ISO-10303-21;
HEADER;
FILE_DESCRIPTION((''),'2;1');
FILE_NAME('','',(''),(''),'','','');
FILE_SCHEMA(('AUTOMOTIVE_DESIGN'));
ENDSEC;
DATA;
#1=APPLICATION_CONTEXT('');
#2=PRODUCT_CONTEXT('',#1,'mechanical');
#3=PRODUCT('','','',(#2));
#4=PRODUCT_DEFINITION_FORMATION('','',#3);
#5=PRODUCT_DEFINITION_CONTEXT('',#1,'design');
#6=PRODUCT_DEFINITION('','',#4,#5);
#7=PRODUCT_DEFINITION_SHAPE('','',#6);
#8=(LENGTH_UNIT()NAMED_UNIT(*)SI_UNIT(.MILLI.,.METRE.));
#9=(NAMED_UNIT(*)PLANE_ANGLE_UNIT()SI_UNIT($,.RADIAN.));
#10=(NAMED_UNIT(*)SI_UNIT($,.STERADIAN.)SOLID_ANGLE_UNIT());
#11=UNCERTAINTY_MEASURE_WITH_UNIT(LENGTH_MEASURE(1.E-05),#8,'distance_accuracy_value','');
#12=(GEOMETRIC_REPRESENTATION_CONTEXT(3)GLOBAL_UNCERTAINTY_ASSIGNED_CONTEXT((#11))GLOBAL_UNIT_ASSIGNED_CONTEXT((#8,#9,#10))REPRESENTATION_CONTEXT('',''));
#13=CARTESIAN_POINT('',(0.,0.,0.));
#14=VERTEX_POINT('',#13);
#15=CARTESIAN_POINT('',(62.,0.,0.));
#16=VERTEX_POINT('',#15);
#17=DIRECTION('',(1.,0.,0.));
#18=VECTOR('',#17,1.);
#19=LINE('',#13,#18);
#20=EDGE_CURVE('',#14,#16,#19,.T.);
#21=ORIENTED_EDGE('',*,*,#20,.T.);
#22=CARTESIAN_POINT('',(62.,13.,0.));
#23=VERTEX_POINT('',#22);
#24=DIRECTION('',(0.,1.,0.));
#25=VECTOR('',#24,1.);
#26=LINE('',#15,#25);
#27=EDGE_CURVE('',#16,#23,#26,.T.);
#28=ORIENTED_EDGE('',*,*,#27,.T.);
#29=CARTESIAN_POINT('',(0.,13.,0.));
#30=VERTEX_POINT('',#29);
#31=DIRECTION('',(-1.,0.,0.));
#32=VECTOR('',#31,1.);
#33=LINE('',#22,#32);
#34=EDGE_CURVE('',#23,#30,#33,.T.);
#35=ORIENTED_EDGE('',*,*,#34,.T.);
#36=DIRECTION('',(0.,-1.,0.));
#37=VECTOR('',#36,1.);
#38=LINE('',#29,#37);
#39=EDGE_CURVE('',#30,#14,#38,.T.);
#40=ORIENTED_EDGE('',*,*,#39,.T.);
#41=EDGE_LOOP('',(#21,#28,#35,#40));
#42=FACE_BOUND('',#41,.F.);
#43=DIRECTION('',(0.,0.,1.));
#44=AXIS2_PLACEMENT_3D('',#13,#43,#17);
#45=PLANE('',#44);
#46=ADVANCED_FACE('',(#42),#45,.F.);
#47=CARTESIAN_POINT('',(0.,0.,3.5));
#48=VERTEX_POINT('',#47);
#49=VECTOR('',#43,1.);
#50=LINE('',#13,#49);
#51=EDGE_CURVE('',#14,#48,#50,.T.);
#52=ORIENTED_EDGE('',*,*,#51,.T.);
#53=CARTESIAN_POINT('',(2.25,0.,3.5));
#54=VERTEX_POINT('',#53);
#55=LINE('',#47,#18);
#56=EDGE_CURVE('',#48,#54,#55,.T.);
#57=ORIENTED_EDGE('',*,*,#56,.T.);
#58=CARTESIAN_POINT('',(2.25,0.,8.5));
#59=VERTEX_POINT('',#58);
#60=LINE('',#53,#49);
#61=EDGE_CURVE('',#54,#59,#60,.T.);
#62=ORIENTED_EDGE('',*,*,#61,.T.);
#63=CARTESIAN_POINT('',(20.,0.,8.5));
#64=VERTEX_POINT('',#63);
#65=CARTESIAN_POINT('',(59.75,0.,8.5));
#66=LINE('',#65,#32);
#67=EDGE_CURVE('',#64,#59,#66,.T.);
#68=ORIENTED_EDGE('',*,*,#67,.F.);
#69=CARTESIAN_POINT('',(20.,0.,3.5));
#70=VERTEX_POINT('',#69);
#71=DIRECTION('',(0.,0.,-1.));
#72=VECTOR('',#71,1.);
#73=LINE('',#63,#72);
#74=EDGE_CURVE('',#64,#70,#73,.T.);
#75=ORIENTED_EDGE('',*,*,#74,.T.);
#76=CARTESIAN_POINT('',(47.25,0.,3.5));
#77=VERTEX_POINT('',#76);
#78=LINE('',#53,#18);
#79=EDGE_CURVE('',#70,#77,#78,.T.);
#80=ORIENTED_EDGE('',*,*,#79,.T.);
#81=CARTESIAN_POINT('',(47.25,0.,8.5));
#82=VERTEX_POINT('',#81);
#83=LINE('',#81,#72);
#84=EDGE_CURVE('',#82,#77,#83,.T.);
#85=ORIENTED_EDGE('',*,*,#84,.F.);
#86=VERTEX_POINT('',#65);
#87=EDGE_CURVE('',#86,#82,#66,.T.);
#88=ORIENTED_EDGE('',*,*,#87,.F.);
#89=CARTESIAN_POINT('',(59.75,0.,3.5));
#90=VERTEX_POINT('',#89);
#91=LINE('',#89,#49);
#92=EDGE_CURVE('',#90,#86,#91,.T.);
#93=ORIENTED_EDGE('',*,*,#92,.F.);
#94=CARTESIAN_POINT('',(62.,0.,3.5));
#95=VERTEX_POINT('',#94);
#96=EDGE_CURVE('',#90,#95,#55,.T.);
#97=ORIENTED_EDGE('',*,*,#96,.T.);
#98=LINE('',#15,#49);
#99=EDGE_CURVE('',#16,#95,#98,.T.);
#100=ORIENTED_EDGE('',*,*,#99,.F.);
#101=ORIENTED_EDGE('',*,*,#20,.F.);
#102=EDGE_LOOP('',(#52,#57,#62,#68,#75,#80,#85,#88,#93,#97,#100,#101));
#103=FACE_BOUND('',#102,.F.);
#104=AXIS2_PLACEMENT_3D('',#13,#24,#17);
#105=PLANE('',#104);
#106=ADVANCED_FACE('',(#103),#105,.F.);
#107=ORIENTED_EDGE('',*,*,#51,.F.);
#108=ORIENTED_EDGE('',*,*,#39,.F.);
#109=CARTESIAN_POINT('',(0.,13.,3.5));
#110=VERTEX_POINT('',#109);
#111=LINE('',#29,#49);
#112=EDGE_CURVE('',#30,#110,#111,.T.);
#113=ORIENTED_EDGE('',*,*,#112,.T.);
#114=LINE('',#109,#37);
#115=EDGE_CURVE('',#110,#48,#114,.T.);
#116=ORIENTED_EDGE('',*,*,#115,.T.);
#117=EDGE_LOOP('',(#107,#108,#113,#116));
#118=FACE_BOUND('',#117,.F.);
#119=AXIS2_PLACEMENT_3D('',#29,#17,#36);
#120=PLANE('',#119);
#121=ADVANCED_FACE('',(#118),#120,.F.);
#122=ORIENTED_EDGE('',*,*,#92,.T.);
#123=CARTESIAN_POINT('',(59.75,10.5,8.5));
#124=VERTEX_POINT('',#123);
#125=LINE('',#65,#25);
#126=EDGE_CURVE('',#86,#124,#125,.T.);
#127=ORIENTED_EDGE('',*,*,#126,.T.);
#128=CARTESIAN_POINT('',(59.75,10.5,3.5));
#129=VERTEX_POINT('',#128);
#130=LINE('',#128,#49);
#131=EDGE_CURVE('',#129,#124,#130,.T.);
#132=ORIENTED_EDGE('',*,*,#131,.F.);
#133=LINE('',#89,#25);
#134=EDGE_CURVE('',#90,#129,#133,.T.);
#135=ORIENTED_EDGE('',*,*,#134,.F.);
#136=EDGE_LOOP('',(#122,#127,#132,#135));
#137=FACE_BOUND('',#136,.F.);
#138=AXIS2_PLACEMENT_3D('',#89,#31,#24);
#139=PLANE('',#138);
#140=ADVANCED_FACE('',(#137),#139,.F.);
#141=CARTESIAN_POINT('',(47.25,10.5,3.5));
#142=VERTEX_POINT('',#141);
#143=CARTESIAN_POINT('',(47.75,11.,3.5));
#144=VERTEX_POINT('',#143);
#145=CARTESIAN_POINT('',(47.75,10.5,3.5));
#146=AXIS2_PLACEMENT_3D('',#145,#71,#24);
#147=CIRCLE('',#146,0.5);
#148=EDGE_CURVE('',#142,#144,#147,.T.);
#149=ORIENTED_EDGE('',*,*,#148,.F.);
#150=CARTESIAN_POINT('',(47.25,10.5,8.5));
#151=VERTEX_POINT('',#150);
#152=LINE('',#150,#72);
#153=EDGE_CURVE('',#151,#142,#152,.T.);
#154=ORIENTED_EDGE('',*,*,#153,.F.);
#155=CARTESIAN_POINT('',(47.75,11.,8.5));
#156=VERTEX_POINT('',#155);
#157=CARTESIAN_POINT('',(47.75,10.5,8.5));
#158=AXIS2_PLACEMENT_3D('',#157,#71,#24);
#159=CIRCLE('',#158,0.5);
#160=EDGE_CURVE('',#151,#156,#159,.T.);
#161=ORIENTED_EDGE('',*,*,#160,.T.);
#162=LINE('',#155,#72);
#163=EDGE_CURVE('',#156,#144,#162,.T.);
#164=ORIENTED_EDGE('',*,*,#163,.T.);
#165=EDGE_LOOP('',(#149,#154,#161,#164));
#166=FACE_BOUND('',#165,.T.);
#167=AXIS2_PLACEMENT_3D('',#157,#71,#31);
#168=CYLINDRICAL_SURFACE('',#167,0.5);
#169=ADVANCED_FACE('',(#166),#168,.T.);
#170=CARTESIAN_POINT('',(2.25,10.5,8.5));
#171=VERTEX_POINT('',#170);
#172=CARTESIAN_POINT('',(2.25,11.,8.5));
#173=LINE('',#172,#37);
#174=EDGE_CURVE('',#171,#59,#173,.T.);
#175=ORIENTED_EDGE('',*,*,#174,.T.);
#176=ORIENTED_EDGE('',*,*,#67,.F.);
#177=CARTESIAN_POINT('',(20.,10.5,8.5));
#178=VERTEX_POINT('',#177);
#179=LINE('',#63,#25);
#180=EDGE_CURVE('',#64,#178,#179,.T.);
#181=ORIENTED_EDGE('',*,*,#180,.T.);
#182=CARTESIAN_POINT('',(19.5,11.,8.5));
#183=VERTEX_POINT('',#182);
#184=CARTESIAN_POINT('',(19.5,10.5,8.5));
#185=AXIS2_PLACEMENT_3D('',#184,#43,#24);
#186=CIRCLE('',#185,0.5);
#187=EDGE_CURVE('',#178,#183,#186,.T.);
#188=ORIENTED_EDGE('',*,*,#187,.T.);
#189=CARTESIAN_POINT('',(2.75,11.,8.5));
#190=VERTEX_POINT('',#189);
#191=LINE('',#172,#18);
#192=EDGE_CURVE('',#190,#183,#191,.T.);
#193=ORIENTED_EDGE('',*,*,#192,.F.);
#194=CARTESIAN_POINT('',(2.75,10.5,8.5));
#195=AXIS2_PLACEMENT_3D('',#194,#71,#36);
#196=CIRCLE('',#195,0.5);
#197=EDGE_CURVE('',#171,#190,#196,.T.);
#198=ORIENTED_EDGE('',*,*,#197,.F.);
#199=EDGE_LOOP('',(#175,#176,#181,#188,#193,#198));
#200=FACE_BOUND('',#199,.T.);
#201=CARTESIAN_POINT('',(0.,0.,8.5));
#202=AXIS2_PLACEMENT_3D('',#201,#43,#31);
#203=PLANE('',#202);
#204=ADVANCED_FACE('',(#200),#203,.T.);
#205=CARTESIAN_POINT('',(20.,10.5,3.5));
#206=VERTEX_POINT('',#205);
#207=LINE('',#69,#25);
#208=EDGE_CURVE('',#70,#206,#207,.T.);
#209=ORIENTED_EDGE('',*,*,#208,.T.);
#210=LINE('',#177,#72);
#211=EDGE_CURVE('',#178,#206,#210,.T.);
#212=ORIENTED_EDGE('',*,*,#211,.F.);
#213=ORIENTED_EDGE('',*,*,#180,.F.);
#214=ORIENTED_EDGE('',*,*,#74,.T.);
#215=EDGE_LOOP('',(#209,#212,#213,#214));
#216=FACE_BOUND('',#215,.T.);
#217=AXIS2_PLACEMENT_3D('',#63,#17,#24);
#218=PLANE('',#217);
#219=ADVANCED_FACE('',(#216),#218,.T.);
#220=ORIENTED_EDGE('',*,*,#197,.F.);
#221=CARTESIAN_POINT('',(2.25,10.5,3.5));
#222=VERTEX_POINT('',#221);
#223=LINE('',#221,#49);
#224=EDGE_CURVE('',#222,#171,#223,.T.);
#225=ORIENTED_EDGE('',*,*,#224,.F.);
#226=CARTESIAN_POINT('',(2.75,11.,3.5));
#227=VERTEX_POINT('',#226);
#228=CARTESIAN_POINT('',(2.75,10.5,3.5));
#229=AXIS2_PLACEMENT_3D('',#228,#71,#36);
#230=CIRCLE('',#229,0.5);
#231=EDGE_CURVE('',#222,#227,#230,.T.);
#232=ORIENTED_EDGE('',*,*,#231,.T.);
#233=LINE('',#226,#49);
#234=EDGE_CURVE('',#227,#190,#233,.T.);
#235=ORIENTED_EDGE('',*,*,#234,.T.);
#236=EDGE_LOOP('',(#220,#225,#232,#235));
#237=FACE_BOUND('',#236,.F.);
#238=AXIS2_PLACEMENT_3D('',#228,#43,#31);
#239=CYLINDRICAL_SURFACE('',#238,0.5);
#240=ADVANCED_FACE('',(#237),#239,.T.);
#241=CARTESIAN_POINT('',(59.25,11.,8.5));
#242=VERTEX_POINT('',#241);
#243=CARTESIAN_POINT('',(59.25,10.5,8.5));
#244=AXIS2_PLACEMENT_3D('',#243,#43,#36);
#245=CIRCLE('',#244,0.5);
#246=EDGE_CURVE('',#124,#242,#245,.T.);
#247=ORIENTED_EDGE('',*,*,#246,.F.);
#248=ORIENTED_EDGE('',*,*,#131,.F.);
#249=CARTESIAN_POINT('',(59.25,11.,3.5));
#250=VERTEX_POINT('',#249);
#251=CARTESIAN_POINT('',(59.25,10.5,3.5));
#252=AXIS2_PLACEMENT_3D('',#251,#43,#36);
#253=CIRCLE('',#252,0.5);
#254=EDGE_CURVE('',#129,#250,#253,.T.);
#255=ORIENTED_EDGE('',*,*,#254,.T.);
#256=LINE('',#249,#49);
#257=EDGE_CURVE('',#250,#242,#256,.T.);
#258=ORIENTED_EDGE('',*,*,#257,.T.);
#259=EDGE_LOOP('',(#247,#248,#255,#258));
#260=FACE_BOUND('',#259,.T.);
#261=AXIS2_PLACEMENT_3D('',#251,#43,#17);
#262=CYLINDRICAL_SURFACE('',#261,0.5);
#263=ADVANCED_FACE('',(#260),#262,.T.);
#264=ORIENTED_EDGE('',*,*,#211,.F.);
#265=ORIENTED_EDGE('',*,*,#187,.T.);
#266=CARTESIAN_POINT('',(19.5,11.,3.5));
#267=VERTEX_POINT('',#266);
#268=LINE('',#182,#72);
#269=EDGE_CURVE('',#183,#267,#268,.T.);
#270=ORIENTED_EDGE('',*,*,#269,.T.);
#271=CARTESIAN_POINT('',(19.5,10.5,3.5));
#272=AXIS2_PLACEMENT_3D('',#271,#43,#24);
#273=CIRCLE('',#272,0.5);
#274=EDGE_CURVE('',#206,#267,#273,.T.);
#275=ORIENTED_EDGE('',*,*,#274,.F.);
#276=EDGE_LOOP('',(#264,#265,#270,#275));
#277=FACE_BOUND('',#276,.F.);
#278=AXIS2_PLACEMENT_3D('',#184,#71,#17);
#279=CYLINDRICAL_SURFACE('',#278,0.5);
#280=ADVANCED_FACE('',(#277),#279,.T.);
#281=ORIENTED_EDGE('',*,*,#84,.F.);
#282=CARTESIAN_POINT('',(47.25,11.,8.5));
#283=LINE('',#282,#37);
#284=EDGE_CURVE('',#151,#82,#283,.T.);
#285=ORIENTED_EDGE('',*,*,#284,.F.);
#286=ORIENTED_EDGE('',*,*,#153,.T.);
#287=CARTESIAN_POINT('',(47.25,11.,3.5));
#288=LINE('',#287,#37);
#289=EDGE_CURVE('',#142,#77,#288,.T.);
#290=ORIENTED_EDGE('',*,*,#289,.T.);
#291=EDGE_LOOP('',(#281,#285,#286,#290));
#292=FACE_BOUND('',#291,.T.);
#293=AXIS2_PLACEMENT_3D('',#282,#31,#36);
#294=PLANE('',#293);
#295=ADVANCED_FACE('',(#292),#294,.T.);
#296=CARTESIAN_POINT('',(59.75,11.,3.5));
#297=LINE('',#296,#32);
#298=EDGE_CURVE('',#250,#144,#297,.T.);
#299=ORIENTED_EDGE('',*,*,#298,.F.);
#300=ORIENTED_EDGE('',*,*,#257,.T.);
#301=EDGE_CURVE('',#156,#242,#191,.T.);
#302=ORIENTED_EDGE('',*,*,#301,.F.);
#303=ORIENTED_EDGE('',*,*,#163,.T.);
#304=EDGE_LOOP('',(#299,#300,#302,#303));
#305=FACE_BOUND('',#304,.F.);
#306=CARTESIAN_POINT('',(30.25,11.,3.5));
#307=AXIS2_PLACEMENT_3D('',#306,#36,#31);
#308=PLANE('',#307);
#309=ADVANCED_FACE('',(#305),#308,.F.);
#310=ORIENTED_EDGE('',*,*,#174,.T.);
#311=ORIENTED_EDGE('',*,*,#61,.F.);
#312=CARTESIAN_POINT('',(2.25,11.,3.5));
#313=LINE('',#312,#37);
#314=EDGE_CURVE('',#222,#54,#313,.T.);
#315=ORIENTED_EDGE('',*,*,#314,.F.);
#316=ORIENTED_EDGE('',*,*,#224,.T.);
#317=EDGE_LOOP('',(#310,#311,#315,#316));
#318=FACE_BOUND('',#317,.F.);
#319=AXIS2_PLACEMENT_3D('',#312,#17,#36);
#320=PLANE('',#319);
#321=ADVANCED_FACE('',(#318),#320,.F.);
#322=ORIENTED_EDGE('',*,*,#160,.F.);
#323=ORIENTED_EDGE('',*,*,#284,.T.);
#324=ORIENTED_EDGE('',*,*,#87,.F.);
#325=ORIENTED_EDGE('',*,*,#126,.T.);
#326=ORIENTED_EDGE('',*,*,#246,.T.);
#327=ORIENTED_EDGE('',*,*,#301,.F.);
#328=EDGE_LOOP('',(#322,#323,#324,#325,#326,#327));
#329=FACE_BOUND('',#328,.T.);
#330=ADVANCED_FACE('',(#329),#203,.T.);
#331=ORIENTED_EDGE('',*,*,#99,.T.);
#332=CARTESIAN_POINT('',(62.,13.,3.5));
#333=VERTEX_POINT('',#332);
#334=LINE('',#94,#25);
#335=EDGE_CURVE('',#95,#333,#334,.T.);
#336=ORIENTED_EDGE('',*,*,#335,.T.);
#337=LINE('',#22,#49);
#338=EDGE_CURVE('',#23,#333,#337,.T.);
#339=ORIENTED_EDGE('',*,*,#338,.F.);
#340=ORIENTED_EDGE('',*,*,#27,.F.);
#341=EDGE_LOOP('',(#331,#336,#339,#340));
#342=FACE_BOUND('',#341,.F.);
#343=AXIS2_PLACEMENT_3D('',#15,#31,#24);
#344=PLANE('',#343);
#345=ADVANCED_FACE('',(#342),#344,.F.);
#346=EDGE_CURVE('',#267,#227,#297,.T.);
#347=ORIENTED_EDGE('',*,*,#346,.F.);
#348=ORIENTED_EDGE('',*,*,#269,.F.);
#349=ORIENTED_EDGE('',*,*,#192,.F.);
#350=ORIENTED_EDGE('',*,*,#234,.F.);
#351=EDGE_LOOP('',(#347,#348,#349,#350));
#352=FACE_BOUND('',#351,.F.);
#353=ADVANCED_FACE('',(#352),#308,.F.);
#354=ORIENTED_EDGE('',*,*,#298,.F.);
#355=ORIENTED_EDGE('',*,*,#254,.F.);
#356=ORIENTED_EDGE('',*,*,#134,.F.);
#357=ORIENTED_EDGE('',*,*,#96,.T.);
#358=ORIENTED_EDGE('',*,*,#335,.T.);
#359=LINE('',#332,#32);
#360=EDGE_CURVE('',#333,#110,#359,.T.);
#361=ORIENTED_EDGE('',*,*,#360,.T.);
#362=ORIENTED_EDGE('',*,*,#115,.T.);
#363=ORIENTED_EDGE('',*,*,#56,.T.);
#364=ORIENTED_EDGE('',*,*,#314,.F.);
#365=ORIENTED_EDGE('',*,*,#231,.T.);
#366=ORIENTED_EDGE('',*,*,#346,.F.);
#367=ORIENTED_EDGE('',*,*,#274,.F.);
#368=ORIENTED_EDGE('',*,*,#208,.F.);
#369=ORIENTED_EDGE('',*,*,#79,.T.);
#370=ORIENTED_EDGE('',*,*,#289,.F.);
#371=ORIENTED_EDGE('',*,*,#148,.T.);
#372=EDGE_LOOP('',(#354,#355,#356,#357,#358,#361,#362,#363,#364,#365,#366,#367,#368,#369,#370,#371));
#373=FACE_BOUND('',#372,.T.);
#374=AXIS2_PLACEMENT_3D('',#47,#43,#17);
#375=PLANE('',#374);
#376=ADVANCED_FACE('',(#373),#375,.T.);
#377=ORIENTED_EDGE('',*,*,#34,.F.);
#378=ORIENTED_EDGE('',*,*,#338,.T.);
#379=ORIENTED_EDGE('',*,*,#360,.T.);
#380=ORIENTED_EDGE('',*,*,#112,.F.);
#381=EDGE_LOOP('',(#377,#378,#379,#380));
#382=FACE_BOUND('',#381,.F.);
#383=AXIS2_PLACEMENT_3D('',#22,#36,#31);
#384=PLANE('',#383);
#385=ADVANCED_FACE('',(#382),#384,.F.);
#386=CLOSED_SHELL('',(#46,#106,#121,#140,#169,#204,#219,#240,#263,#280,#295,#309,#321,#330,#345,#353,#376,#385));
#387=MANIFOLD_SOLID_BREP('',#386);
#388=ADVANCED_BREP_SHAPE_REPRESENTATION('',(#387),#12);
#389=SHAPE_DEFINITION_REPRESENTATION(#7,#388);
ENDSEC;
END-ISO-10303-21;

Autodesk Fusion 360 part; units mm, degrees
sketch "Sketch1" plane through (0, 0, 0) normal (0, 0, 1) x (1, 0, 0)
  line L0 (0, 0) -> (62, 0)
  line L1 (62, 0) -> (62, 13)
  line L2 (62, 13) -> (0, 13)
  line L3 (0, 13) -> (0, 0)
  dimension "d1" = 62
  dimension "d2" = 13
extrude "Extrude1" add sketch "Sketch1" along normal blind 3.5
sketch "Sketch2" plane through (0, 0, 3.5) normal (0, 0, 1) x (-1, 0, 0)
  line L0 (0, -13) -> (0, 0)
  line L1 (0, 0) -> (-62, 0)
  line L2 (-62, 0) -> (-62, -13)
  line L3 (-62, -13) -> (0, -13)
  line L4 (-2.25, 0) -> (-59.75, 0)
  line L5 (-59.75, 0) -> (-59.75, -11)
  line L6 (-59.75, -11) -> (-2.25, -11)
  line L7 (-2.25, -11) -> (-2.25, 0)
  line L8 (-30.25, 0) -> (-59.75, 0)
  line L9 (-59.75, 0) -> (-59.75, -11)
  line L10 (-59.75, -11) -> (-30.25, -11)
  line L11 (-30.25, -11) -> (-30.25, 0)
  dimension "d5" = 57.5
  dimension "d6" = 11
  dimension "d7" = 2.25
  dimension "d8" = 29.5
  dimension "d9" = 11
  dimension "d22" = 2.25
extrude "Extrude7" add sketch "Sketch2" along normal blind 5 contours L1 L4 L6 L7 L11 | L1 L4 L5 L6 L8 L9 L10 L11
sketch "Sketch6" plane through (0, 0, 8.5) normal (0, 0, 1) x (-1, 0, 0)
  line L0 (-2.25, -11) -> (-2.25, 0)
  line L1 (-2.25, 0) -> (-59.75, 0)
  line L2 (-59.75, 0) -> (-59.75, -11)
  line L3 (-59.75, -11) -> (-2.25, -11)
  line L4 (-20, -11) -> (-47.25, -11)
  line L5 (-47.25, -11) -> (-47.25, 0)
  line L6 (-47.25, 0) -> (-20, 0)
  line L7 (-20, 0) -> (-20, -11)
  line L8 (-2.25, -11) -> (-2.25, 0)
  dimension "d30" = 17.75
  dimension "d31" = 27.25
extrude "Extrude9" cut sketch "Sketch6" against normal blind 5 contours L1 L3 L4 L5 L6 L7
fillet "Fillet2" radius 0.5 4 edges at (59.75, 11, 6) (47.25, 11, 6) (20, 11, 6) (2.25, 11, 6)
